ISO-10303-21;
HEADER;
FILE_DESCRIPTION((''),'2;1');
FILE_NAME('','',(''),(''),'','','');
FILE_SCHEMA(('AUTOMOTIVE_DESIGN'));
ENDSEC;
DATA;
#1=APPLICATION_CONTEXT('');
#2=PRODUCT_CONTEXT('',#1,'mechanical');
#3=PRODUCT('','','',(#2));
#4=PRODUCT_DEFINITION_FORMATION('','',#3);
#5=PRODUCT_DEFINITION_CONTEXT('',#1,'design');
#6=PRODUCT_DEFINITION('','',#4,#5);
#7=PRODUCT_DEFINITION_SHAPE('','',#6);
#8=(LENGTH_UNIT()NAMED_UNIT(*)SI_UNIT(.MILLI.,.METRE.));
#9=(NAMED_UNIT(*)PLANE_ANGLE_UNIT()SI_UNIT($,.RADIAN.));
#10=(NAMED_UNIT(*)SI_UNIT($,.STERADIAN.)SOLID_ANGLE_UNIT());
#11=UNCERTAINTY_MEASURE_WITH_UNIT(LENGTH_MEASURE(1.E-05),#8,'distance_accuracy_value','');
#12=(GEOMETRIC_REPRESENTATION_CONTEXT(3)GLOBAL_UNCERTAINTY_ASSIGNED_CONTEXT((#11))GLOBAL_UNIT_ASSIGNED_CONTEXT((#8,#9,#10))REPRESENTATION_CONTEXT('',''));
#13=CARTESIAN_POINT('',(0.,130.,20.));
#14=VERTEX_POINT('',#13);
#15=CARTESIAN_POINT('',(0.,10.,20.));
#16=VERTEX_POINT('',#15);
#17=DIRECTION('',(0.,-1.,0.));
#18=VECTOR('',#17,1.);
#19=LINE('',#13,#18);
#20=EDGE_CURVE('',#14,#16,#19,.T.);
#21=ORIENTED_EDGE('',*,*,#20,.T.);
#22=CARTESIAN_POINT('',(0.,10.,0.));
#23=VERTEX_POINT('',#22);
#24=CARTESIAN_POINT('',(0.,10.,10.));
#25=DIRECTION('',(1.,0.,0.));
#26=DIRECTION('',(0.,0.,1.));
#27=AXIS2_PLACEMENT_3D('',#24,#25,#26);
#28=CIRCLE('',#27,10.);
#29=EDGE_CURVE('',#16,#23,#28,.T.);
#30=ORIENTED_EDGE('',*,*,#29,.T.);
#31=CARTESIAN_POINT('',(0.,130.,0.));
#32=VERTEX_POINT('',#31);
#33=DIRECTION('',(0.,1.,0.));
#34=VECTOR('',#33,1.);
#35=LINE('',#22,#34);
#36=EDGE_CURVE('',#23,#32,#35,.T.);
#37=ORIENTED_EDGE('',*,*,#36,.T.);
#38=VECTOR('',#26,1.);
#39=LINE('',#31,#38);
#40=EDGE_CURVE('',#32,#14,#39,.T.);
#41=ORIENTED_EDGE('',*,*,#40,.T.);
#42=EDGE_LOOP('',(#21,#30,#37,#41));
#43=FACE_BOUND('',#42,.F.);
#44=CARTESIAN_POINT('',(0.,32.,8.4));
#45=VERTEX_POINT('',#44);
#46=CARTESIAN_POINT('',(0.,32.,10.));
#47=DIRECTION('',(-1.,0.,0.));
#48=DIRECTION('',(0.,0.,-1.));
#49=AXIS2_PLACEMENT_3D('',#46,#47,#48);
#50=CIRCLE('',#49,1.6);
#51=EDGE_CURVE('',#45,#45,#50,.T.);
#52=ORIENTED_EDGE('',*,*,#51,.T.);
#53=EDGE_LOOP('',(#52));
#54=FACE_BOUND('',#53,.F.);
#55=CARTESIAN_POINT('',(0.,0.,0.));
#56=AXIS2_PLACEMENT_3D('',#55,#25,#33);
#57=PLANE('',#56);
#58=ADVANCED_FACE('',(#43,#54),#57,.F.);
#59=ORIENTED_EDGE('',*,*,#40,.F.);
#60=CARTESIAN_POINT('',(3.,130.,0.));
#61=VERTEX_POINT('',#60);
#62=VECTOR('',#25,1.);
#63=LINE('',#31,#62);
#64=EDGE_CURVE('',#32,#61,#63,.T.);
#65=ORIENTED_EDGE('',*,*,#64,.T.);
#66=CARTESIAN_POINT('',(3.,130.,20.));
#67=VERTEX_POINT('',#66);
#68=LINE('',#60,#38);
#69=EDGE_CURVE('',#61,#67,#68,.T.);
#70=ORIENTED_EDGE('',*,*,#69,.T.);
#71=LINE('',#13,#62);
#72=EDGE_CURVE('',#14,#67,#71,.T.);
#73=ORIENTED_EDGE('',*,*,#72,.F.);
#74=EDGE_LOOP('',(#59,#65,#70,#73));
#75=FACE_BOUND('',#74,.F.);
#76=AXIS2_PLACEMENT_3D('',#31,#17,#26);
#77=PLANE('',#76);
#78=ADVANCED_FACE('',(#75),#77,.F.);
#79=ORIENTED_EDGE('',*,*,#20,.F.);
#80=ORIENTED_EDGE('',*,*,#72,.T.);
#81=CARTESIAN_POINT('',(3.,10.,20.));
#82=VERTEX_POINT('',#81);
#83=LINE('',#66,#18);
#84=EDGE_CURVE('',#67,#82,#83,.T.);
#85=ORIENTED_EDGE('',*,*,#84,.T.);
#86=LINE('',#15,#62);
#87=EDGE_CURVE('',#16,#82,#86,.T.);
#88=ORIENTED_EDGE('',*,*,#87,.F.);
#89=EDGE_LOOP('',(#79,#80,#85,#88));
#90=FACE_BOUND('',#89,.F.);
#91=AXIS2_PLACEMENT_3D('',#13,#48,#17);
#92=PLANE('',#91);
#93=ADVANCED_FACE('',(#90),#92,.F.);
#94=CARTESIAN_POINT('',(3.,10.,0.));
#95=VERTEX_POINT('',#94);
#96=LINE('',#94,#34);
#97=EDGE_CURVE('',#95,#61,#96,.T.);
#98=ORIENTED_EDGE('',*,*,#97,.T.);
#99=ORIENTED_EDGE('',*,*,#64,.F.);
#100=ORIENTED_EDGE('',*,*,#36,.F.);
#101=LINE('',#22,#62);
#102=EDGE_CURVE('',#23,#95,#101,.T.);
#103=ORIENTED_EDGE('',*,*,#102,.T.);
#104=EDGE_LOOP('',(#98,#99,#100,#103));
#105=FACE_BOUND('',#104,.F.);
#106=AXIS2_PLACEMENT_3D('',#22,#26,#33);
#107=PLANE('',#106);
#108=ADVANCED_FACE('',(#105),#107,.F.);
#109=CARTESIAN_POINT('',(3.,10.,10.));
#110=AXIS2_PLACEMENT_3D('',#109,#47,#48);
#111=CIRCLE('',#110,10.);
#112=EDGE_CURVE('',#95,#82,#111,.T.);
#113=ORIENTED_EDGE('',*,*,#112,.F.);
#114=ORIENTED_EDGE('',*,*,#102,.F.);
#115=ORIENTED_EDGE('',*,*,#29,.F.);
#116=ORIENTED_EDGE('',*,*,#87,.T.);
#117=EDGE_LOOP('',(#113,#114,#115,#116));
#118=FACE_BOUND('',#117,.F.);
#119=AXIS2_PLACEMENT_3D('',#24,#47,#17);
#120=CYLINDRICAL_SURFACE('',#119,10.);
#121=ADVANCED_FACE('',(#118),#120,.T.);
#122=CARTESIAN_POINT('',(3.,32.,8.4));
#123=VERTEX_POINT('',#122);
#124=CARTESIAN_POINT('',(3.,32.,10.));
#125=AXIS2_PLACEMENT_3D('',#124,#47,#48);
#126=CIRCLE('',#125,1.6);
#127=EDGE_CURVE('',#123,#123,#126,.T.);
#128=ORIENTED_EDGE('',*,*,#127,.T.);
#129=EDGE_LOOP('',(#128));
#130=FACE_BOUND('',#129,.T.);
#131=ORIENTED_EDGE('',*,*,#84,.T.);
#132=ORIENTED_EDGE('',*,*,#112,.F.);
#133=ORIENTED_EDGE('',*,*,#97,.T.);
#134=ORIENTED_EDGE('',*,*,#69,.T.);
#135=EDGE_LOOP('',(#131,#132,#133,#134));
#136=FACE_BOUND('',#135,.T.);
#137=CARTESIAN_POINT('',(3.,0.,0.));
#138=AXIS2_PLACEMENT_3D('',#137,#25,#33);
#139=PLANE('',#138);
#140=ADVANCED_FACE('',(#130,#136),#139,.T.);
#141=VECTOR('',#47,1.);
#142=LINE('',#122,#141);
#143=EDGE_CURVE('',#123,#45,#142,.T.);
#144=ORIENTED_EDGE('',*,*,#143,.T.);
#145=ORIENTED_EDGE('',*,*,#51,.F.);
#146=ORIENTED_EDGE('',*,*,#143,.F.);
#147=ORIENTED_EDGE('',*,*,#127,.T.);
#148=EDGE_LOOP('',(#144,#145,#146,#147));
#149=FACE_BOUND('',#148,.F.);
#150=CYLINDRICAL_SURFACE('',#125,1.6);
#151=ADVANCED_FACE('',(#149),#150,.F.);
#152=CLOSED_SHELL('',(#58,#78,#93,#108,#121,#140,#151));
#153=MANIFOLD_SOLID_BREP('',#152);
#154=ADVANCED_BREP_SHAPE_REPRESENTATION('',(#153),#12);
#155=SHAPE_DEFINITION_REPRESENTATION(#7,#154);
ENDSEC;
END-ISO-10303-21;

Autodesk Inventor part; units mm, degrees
ref_plane "YZ Plane" through (0, 0, 0) normal (1, 0, 0) x (0, 1, 0)
ref_plane "XZ Plane" through (0, 0, 0) normal (0, 1, 0) x (-1, 0, 0)
ref_plane "XY Plane" through (0, 0, 0) normal (0, 0, 1) x (1, 0, 0)
sketch "Szkic1" plane through (0, 0, 0) normal (1, 0, 0) x (0, 1, 0)
  line L0 (10, 0) -> (130, 0)
  line L1 (130, 0) -> (130, 20)
  line L2 (130, 20) -> (10, 20)
  line L3 (0, 10) -> (0, 10)
  arc A0 (0, 10) -> (10, 0) centre (10, 10) ccw
  arc A1 (10, 20) -> (0, 10) centre (10, 10) ccw
  point P0 (0, 0)
  point P1 (0, 20)
  dimension "d0" = 20
  dimension "d2" = 10
  dimension "d5" = 120
extrude "Wyciągnięcie proste1" add sketch "Szkic1" along normal blind 3
sketch "Szkic2" plane through (3, 0, 0) normal (1, 0, 0) x (0, 0, -1)
  arc A0 (-20, 10) -> (0, 10) centre (-10, 10) ccw projected
  point P0 (0, 0)
sketch "Szkic3" plane through (3, 0, 0) normal (1, 0, 0) x (0, 0, -1)
  point P0 (0, 0)
  point P1 (-10, 32)
  dimension "d6" = 32
hole "Otwór1" at (3, 32, 10) direction (-1, 0, 0) diameter 3.2 end through all
properties material "Drewno (wiśnia)"
